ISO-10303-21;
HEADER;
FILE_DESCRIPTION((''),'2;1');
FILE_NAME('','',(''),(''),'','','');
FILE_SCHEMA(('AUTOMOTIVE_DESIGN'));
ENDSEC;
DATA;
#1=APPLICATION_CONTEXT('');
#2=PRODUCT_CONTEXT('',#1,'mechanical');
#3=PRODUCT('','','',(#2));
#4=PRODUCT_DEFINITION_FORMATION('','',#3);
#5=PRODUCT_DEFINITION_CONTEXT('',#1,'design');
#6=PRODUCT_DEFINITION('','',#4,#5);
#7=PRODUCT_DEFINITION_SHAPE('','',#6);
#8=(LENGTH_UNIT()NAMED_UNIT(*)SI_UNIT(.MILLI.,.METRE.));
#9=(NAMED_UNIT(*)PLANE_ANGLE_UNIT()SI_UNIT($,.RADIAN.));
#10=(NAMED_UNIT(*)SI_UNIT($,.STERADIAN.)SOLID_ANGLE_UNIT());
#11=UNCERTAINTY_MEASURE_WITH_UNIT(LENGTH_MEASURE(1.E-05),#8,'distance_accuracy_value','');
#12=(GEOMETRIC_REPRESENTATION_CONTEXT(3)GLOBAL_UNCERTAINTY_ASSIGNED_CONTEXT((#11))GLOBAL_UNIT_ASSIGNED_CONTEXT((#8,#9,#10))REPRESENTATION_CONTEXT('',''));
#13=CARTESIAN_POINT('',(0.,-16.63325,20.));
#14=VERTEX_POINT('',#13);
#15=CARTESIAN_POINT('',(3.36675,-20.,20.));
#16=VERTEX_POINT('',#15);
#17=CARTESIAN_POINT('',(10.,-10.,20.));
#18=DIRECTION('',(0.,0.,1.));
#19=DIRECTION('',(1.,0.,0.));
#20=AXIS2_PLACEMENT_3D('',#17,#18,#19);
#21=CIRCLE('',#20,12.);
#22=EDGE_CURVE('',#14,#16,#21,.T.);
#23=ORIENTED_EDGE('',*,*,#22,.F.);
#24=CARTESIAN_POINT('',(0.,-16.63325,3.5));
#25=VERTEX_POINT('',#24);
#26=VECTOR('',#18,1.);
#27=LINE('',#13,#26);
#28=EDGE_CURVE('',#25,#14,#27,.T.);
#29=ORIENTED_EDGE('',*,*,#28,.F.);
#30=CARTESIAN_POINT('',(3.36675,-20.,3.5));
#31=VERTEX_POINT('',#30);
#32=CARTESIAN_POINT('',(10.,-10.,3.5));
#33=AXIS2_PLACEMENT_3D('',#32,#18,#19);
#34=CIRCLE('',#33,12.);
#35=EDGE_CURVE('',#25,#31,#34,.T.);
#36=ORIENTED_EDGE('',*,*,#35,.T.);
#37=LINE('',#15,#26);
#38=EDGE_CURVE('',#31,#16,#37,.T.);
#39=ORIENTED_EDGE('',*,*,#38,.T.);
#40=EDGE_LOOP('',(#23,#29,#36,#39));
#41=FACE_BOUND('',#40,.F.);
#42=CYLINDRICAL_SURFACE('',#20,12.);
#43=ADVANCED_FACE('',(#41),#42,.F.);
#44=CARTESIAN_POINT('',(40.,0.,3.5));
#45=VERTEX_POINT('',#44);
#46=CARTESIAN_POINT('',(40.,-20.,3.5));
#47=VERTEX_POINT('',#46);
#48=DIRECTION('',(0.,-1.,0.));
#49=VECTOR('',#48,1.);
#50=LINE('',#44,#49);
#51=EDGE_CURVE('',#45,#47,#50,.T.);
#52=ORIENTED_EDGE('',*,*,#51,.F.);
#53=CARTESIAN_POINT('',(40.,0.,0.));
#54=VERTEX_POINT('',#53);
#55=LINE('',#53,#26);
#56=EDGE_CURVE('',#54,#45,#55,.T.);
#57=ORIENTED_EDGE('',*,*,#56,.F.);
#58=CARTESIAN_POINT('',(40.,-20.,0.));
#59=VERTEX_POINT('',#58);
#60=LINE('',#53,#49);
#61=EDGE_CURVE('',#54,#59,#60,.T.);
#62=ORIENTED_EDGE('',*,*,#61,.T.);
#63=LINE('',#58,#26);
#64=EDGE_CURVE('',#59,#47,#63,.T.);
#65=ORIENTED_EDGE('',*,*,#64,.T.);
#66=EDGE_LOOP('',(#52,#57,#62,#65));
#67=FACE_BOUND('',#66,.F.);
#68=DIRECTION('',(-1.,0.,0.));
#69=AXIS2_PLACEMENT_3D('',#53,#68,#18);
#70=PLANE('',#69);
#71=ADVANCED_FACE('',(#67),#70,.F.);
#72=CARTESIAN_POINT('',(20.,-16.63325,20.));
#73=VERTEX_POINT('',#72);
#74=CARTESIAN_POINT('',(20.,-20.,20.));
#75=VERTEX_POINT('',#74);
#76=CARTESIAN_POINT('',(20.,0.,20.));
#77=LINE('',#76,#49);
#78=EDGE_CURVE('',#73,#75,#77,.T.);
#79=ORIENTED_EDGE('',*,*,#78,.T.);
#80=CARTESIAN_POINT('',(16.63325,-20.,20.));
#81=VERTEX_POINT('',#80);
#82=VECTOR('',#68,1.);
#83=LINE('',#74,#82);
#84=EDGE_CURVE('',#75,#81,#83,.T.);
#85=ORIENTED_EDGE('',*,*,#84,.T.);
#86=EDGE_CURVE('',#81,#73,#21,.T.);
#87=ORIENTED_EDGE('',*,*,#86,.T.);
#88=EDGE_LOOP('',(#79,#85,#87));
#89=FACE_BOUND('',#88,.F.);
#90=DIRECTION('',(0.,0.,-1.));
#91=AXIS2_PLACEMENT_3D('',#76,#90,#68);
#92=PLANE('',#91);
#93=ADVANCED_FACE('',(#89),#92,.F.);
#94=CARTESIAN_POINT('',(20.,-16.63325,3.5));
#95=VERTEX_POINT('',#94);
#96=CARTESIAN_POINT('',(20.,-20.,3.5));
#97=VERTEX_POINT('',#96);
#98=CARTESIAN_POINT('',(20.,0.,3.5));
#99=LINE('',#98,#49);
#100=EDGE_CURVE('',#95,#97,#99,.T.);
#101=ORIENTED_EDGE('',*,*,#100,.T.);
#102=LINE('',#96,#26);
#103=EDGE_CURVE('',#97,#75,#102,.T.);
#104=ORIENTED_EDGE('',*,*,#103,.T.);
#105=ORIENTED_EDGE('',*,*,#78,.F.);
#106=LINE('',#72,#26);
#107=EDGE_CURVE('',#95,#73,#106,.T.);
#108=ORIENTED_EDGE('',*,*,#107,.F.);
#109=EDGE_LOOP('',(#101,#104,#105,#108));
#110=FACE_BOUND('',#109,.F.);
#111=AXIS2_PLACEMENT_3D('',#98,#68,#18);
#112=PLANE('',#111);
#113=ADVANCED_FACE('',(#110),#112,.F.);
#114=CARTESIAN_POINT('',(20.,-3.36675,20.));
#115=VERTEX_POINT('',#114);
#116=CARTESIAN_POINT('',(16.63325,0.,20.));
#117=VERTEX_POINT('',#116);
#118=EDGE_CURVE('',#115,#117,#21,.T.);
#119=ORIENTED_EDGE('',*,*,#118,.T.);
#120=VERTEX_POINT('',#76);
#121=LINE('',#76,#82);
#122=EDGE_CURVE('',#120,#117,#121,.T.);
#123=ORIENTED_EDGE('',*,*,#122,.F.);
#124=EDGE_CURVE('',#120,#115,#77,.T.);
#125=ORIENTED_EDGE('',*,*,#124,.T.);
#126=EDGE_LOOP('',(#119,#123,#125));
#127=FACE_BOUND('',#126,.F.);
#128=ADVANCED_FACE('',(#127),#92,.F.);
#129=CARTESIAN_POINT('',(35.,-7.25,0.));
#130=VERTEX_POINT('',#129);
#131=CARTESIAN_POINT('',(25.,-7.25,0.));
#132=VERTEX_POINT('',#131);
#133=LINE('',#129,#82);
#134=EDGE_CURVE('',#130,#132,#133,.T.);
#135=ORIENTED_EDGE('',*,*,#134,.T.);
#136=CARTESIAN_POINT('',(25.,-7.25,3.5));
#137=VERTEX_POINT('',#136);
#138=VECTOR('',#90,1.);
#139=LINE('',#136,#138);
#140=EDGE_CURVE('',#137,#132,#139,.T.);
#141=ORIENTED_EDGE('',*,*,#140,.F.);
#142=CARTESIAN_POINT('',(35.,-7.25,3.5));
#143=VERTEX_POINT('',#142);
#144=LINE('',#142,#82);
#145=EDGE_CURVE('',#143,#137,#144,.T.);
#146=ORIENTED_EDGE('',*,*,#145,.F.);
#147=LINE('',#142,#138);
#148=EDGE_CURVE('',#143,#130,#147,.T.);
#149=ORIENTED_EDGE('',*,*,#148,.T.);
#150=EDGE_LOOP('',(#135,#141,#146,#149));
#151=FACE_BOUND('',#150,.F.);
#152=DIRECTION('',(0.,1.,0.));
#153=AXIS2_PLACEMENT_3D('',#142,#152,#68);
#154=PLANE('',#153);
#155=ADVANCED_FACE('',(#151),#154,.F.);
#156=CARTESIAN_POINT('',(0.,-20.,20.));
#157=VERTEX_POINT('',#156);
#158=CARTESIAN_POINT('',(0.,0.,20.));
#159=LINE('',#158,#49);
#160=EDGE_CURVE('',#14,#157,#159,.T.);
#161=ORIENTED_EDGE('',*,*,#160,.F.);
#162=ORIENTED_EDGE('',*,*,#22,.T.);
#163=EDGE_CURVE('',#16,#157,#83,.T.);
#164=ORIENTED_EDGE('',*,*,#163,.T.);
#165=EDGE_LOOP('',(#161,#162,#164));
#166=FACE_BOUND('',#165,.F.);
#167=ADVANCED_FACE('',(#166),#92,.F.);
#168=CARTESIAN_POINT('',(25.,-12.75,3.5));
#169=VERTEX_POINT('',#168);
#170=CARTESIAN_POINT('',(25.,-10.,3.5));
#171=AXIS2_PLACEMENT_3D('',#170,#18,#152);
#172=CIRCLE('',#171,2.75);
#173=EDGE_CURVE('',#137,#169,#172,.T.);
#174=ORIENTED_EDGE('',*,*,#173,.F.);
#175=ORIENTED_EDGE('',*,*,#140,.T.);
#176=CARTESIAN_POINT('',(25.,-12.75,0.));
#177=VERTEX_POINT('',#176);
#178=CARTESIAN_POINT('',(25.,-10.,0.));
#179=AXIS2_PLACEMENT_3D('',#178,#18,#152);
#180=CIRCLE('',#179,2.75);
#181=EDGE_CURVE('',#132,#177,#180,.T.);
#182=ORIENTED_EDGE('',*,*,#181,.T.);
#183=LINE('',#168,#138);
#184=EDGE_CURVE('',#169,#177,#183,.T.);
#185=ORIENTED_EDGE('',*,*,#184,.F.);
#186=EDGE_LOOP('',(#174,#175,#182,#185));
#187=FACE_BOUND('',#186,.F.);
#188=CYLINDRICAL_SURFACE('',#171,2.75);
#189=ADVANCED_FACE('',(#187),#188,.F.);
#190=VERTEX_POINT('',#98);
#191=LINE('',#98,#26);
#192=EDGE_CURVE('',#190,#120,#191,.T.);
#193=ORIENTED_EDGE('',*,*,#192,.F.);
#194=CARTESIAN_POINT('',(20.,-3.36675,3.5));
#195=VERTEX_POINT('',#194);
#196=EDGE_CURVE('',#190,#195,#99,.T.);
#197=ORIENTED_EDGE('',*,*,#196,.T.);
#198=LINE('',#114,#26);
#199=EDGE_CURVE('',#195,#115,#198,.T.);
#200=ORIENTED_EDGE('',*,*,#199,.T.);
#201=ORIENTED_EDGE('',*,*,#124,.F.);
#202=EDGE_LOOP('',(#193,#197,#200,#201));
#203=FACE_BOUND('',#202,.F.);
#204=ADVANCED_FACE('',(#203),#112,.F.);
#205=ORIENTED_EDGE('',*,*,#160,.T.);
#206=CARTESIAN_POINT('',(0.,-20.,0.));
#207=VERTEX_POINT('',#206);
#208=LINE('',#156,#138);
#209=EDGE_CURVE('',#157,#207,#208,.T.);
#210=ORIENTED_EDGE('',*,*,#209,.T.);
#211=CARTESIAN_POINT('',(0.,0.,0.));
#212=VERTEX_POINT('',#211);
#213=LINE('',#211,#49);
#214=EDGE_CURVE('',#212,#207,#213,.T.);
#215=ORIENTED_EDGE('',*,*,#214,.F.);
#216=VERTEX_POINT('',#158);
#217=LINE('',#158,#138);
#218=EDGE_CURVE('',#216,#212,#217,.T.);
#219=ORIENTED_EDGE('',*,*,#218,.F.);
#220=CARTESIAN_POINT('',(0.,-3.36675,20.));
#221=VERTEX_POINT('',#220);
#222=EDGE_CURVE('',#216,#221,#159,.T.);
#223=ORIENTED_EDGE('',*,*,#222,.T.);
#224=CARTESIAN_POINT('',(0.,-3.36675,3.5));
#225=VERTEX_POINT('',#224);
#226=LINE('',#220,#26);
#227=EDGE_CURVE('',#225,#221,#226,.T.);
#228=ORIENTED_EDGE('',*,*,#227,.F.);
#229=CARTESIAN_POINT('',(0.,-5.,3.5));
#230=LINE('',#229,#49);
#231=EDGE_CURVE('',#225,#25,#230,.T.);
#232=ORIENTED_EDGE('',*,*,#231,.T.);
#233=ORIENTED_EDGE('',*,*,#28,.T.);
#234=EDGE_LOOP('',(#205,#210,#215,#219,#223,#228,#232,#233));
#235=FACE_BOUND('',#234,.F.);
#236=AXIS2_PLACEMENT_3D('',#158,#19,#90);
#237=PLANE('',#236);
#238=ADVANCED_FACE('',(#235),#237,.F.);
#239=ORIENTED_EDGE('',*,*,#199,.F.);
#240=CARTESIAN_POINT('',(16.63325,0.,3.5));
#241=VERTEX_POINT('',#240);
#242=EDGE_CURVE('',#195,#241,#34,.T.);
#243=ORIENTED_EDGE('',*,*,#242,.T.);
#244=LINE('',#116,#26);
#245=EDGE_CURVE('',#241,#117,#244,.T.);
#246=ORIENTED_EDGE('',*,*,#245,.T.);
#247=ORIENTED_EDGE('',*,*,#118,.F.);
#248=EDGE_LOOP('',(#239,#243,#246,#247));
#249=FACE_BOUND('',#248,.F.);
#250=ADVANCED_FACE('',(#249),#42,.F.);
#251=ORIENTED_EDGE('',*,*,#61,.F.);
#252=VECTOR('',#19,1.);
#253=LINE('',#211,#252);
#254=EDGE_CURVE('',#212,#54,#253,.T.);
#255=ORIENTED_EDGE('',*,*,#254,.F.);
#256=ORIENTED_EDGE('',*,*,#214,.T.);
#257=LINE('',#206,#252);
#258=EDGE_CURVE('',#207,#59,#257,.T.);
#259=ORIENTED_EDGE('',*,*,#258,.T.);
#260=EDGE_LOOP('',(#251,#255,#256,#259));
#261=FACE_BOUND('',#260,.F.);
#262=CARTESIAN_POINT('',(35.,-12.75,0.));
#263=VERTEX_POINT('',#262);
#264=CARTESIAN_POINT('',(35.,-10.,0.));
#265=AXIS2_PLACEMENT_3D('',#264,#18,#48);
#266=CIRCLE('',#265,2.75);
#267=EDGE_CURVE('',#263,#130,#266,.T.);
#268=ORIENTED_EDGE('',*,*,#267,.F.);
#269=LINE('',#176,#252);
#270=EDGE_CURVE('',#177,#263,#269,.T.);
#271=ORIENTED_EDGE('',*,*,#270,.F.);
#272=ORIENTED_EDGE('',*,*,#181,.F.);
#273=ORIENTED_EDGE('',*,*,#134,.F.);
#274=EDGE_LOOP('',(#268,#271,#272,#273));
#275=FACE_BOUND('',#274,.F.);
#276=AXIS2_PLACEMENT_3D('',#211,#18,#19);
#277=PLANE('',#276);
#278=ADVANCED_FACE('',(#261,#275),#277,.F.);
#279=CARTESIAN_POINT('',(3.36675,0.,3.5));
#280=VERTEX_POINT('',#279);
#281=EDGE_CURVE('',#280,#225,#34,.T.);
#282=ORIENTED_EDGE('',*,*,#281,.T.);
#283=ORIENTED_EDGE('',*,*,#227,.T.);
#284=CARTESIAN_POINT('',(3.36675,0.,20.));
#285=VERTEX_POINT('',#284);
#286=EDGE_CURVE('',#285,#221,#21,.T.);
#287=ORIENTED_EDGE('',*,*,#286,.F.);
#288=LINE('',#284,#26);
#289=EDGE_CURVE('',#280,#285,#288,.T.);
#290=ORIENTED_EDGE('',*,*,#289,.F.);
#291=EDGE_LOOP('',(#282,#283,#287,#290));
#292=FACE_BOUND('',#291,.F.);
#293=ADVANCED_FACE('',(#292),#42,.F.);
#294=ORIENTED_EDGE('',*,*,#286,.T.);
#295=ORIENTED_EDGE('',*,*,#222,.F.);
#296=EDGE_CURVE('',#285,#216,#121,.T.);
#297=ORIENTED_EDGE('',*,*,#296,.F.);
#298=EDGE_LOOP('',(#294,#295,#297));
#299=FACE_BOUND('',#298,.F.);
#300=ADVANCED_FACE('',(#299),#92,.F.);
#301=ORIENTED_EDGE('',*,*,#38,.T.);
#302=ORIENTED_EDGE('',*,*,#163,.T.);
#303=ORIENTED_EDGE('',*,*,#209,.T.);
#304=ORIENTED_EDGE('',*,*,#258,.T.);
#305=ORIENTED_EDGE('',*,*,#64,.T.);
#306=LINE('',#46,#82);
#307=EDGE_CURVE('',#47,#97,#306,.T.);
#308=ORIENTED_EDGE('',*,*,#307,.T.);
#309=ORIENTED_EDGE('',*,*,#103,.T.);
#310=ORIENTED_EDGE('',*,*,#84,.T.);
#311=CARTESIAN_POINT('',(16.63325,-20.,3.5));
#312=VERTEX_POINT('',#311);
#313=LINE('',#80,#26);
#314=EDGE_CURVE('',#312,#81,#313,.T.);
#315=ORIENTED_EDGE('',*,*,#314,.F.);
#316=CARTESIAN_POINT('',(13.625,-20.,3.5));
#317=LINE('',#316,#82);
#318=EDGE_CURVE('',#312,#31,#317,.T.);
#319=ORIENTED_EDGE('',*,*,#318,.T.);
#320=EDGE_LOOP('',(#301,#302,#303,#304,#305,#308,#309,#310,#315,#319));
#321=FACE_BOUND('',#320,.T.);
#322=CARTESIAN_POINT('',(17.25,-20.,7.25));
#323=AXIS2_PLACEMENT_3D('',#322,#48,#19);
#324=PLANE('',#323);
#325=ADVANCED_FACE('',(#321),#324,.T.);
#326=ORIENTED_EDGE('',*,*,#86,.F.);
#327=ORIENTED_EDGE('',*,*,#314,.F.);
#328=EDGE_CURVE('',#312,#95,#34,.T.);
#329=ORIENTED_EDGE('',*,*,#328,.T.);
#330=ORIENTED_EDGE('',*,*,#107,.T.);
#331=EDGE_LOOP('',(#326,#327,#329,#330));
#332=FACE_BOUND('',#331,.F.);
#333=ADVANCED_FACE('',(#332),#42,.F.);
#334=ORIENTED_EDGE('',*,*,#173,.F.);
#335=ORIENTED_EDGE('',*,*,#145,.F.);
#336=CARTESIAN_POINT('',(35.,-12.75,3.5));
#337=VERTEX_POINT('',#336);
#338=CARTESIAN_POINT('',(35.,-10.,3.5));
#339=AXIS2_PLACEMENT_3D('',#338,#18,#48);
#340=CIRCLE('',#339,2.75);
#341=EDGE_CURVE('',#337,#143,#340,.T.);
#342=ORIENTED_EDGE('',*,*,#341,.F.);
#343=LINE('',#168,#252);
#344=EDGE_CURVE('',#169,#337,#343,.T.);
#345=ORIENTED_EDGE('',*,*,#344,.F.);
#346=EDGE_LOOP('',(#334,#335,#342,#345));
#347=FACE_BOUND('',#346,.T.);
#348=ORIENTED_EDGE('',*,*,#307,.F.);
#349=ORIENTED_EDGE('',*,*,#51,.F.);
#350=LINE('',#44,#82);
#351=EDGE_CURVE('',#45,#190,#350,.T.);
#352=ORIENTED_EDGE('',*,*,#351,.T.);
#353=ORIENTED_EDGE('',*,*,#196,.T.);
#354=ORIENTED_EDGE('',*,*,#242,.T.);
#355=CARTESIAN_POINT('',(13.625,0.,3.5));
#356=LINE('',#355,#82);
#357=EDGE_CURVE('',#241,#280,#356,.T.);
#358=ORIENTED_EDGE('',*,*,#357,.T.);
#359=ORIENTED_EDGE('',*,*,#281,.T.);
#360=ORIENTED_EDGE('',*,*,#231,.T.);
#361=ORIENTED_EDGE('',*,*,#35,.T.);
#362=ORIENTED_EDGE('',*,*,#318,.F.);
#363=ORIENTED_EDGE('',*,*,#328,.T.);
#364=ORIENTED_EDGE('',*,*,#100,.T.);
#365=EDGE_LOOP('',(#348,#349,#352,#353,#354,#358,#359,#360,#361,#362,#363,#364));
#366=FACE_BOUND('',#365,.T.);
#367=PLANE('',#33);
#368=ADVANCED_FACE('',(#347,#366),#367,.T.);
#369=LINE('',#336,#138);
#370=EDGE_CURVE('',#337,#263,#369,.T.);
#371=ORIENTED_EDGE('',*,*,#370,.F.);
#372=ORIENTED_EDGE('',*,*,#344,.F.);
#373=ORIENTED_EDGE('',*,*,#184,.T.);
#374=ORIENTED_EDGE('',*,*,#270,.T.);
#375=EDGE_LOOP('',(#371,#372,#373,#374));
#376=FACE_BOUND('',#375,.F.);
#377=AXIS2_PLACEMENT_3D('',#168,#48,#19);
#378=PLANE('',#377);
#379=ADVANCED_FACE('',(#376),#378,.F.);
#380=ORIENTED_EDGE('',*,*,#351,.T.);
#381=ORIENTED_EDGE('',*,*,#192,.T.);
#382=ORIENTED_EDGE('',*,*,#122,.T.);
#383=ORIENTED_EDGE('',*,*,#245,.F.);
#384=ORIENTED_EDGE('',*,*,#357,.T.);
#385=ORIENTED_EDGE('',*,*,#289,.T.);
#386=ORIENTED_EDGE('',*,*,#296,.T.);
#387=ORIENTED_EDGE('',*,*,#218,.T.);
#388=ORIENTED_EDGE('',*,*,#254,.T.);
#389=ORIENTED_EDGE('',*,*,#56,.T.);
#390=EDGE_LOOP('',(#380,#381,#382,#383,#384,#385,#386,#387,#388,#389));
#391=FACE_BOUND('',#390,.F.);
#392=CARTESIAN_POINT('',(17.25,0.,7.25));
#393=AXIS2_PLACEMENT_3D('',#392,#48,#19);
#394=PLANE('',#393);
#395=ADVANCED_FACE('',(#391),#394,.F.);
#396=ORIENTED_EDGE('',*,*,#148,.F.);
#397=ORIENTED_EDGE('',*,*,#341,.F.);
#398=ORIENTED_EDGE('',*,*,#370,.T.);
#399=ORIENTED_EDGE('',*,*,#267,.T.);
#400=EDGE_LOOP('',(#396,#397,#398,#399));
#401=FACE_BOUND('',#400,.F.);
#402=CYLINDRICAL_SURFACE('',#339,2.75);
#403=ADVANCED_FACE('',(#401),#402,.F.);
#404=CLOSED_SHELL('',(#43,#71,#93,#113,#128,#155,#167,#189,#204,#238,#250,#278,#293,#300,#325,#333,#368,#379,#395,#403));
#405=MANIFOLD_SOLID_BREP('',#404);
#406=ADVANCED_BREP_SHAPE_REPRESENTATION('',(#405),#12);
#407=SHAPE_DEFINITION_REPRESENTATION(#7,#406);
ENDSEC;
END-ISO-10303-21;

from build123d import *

# Parameters (mm, degrees)
F1_DEPTH = 20
F2_R     = 12
F3_DEPTH = 16.5
F5_DEPTH = 3.5


with BuildPart() as f1:
    # F0 (on Front) → F1 (new body)
    with BuildSketch(Plane.XZ):
        Polygon((0, 20), (0, 0), (20, 0), (40, 0), (40, 3.5), (20, 3.5), (20, 20), align=None)
    extrude(amount=F1_DEPTH)

    # F2 (on face) → F3 (cut, through all)
    with BuildSketch(Plane.XY.offset(20)):
        with Locations((10, -10)):
            Circle(F2_R)
    extrude(amount=-F3_DEPTH, mode=Mode.SUBTRACT)

    # F4 (on face) → F5 (cut, through all)
    with BuildSketch(Plane.XY.offset(3.5)):
        with BuildLine():
            Line((30, -12.75), (35, -12.75))
            ThreePointArc((35, -12.75), (37.75, -10), (35, -7.25))
            Line((35, -7.25), (30, -7.25))
            Line((30, -7.25), (25, -7.25))
            ThreePointArc((25, -7.25), (22.25, -10), (25, -12.75))
            Line((25, -12.75), (30, -12.75))
        make_face()
    extrude(amount=-F5_DEPTH, mode=Mode.SUBTRACT)


solid = f1.part
